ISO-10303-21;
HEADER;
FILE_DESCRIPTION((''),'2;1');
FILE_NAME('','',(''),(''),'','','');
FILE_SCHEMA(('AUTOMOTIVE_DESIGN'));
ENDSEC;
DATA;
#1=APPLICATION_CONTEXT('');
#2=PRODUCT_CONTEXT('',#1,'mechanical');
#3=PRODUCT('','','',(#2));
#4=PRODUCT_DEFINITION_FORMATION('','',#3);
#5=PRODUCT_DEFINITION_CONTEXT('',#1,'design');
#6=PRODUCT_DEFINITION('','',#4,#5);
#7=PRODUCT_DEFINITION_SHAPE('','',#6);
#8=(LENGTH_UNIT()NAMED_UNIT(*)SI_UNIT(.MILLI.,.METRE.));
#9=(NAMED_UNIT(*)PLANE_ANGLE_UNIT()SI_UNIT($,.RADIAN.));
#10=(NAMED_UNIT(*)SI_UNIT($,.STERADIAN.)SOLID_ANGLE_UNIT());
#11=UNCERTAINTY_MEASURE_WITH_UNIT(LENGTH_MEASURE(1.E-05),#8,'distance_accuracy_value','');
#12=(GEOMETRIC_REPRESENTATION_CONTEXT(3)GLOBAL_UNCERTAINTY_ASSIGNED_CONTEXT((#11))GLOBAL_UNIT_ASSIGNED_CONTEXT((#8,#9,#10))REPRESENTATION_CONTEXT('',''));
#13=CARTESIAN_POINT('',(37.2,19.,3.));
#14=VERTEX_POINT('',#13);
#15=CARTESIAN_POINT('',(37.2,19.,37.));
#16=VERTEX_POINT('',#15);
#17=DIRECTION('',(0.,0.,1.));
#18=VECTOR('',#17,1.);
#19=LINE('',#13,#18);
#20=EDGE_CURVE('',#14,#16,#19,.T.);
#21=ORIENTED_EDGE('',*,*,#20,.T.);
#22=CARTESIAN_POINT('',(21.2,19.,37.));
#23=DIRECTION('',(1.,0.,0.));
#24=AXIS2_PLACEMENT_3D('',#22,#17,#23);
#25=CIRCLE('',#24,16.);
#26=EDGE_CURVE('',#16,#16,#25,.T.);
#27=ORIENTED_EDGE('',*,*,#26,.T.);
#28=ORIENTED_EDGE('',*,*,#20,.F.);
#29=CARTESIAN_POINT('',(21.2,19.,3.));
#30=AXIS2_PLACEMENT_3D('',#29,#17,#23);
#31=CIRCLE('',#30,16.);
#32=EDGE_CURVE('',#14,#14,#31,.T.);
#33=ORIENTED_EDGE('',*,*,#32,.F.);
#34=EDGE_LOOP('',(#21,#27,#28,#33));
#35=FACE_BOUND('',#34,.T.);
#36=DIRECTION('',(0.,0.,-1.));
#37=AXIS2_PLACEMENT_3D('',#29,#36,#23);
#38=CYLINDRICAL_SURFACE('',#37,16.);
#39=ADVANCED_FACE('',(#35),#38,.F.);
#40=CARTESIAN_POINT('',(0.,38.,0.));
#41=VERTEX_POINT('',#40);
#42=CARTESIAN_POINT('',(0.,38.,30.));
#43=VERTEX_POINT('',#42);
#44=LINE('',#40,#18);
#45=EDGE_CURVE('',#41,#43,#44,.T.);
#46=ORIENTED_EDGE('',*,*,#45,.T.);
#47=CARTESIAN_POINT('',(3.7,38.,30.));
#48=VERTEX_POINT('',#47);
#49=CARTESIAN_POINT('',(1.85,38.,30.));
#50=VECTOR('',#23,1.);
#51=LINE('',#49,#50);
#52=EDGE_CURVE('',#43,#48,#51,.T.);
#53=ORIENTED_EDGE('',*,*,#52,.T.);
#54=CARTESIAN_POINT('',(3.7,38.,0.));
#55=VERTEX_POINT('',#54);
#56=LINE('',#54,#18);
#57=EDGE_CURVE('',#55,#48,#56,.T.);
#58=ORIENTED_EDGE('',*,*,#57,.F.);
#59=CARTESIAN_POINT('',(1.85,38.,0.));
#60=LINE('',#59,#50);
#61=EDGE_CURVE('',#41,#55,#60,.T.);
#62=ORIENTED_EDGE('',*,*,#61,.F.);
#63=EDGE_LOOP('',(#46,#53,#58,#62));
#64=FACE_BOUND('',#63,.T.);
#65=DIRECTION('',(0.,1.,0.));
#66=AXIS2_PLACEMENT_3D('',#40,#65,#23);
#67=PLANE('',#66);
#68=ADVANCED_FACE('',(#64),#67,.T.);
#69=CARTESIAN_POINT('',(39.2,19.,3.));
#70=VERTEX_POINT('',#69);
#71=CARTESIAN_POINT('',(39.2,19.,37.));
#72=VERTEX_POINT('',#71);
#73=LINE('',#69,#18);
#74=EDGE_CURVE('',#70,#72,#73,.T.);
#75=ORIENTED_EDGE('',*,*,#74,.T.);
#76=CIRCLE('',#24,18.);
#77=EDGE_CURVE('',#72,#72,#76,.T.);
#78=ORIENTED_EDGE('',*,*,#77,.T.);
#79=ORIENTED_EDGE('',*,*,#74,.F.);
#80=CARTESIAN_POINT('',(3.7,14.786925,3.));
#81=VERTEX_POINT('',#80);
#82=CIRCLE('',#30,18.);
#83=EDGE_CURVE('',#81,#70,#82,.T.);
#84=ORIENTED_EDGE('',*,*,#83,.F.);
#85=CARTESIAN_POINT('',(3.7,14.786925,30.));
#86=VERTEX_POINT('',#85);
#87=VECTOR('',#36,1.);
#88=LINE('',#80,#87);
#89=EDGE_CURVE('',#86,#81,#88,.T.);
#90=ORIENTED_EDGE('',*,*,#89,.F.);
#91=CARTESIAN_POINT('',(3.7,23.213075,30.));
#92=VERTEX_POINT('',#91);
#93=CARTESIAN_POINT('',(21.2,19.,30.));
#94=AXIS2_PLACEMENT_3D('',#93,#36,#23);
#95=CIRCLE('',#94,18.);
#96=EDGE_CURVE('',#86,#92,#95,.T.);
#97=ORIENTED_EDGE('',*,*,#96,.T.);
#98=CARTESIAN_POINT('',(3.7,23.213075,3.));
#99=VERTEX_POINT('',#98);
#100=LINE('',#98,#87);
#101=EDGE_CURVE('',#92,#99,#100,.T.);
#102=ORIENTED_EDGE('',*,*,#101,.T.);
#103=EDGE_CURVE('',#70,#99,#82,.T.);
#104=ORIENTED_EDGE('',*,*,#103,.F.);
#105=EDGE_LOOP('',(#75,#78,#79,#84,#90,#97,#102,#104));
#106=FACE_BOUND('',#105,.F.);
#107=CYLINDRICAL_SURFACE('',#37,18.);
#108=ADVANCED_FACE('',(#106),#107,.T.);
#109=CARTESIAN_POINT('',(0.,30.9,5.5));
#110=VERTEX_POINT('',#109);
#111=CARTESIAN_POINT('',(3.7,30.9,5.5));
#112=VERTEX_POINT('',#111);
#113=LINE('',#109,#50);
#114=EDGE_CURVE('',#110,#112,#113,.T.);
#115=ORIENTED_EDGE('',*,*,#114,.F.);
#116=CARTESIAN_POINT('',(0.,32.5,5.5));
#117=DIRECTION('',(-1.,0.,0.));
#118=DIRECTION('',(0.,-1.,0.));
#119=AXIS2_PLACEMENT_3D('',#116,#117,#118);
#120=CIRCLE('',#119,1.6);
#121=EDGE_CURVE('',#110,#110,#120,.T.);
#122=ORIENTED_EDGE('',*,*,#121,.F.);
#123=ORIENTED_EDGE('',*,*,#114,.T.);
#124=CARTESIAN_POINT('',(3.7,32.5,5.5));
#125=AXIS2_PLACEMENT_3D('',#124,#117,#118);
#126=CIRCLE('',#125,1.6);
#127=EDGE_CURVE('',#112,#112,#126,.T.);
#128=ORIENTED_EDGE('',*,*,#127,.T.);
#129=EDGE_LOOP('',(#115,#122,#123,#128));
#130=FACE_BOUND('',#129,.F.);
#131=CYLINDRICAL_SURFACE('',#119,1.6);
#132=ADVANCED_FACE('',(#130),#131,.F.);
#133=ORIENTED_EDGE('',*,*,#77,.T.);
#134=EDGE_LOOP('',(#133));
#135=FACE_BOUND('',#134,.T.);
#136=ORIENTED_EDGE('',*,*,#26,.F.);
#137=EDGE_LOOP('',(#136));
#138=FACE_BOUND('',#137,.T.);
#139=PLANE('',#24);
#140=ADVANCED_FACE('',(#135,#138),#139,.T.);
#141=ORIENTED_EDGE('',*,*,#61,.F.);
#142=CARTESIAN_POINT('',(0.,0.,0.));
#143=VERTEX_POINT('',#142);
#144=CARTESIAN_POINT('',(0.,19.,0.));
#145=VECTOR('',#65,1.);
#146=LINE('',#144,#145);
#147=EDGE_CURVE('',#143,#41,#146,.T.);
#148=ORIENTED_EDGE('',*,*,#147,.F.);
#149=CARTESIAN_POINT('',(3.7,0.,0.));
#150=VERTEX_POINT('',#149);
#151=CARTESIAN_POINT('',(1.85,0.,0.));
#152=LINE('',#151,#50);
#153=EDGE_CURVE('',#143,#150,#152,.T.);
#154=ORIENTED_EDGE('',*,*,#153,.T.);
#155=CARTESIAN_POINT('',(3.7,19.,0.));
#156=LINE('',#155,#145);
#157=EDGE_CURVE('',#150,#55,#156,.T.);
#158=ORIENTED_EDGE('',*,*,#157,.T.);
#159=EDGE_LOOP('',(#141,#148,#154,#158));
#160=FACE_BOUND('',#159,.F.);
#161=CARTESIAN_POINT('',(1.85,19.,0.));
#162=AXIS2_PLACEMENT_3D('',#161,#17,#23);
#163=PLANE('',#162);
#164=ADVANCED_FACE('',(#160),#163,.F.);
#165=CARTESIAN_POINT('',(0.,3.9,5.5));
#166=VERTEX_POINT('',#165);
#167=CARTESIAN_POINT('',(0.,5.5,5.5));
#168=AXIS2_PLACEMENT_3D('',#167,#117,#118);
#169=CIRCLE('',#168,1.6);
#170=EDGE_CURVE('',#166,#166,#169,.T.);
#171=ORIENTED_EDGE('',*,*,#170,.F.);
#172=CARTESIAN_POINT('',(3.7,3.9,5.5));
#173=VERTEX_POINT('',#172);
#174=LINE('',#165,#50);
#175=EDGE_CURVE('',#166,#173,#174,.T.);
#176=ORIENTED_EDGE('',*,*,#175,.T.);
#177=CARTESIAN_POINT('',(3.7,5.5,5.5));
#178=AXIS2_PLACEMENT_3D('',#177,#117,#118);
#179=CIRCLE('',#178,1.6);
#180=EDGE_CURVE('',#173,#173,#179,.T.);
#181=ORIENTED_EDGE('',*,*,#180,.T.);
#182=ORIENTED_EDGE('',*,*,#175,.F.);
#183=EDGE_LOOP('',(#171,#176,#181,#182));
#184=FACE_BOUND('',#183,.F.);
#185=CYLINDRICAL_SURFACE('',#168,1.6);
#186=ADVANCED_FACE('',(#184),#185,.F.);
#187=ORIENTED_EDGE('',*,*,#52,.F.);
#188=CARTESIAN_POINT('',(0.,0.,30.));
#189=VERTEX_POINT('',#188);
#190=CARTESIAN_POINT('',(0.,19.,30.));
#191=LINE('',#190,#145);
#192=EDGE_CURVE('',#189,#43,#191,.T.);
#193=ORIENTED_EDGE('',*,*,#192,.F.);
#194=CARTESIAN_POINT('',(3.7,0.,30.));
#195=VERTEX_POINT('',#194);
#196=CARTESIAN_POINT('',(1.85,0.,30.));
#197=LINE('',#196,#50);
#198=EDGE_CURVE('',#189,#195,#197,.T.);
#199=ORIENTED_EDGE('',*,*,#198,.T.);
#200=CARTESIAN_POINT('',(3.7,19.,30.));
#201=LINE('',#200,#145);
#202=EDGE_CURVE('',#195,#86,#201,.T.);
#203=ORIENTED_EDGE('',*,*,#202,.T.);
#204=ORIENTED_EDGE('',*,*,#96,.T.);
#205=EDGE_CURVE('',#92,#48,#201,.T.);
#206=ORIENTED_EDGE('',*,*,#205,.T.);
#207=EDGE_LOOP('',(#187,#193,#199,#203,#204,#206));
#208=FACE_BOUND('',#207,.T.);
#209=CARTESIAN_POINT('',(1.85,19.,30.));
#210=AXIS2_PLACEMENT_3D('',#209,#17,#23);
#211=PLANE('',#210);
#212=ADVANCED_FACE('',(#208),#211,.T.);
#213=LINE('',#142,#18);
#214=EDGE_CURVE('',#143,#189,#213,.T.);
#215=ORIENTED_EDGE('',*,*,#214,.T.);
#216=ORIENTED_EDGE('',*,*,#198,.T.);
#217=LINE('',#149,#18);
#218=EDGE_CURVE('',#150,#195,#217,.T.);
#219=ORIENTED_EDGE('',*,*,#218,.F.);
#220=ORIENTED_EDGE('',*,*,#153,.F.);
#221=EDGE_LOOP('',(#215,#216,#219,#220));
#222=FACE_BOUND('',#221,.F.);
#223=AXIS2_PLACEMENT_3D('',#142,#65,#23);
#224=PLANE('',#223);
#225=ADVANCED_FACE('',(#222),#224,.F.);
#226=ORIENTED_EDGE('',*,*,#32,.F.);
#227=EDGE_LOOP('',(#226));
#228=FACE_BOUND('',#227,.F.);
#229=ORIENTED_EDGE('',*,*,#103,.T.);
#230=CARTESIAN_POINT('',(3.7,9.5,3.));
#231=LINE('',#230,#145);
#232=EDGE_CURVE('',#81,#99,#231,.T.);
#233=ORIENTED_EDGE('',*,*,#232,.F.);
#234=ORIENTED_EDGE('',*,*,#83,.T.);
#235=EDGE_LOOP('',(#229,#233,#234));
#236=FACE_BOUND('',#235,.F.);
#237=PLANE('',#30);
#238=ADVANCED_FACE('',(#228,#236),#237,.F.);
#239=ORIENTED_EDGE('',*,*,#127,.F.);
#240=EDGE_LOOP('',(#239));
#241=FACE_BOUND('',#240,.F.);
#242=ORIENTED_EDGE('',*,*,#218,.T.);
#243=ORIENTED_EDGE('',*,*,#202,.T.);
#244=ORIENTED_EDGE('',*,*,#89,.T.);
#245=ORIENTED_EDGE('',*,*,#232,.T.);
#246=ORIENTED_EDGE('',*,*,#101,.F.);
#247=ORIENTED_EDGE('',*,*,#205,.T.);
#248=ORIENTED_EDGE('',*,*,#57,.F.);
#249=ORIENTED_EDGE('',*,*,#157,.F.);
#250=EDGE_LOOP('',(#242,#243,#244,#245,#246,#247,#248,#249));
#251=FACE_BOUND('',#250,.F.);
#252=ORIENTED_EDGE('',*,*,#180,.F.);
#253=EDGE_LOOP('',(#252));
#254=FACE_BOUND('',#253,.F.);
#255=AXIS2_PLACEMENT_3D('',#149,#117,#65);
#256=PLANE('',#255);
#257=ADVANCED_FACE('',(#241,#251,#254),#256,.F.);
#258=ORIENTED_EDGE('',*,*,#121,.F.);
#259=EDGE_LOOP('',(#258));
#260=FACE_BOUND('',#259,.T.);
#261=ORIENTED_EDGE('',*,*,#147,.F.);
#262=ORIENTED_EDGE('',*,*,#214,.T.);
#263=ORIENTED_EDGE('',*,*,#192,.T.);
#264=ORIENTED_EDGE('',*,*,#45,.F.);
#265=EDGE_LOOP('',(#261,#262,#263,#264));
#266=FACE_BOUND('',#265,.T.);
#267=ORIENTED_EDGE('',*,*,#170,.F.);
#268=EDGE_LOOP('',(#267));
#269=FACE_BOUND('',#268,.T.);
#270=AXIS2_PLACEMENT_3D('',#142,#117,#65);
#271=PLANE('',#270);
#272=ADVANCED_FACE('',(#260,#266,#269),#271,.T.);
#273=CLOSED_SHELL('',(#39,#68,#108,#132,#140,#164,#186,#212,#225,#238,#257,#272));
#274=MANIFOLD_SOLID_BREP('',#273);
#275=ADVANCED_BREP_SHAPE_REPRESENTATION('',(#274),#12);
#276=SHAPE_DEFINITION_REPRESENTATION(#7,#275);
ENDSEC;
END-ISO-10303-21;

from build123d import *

# Parameters (mm, degrees)
SKETCH001_W       = 3.7
SKETCH001_H       = 38
PAD001_DEPTH      = 30
SKETCH002_R       = 1.6
POCKET_DEPTH      = 6
POCKET_DEPTH_BACK = 100
COPYSKETCH003_R   = 18
COPYSKETCH003_R_2 = 16
PAD002_DEPTH      = 34


with BuildPart() as part:
    # Sketch001 → Pad001 (new body)
    with BuildSketch(Plane.XY):
        with Locations((1.85, 19)):
            Rectangle(SKETCH001_W, SKETCH001_H)
    extrude(amount=PAD001_DEPTH)

    # Sketch002 (on Face4 of Pad001) → Pocket (cut, two sides)
    with BuildSketch(Plane(origin=(0, 0, 0), x_dir=(0, -1, 0), z_dir=(-1, 0, 0))) as pocket_sk:
        with Locations((-5.5, 5.5)):
            Circle(SKETCH002_R)
        with Locations((-32.5, 5.5)):
            Circle(SKETCH002_R)
    extrude(amount=-POCKET_DEPTH, mode=Mode.SUBTRACT)
    extrude(pocket_sk.sketch, amount=POCKET_DEPTH_BACK, mode=Mode.SUBTRACT)

    # CopySketch003 → Pad002 (join)
    with BuildSketch(Plane.XY.offset(3)):
        with Locations((21.2, 19)):
            Circle(COPYSKETCH003_R)
        with Locations((21.2, 19)):
            Circle(COPYSKETCH003_R_2, mode=Mode.SUBTRACT)
    extrude(amount=PAD002_DEPTH)


solid = part.part
